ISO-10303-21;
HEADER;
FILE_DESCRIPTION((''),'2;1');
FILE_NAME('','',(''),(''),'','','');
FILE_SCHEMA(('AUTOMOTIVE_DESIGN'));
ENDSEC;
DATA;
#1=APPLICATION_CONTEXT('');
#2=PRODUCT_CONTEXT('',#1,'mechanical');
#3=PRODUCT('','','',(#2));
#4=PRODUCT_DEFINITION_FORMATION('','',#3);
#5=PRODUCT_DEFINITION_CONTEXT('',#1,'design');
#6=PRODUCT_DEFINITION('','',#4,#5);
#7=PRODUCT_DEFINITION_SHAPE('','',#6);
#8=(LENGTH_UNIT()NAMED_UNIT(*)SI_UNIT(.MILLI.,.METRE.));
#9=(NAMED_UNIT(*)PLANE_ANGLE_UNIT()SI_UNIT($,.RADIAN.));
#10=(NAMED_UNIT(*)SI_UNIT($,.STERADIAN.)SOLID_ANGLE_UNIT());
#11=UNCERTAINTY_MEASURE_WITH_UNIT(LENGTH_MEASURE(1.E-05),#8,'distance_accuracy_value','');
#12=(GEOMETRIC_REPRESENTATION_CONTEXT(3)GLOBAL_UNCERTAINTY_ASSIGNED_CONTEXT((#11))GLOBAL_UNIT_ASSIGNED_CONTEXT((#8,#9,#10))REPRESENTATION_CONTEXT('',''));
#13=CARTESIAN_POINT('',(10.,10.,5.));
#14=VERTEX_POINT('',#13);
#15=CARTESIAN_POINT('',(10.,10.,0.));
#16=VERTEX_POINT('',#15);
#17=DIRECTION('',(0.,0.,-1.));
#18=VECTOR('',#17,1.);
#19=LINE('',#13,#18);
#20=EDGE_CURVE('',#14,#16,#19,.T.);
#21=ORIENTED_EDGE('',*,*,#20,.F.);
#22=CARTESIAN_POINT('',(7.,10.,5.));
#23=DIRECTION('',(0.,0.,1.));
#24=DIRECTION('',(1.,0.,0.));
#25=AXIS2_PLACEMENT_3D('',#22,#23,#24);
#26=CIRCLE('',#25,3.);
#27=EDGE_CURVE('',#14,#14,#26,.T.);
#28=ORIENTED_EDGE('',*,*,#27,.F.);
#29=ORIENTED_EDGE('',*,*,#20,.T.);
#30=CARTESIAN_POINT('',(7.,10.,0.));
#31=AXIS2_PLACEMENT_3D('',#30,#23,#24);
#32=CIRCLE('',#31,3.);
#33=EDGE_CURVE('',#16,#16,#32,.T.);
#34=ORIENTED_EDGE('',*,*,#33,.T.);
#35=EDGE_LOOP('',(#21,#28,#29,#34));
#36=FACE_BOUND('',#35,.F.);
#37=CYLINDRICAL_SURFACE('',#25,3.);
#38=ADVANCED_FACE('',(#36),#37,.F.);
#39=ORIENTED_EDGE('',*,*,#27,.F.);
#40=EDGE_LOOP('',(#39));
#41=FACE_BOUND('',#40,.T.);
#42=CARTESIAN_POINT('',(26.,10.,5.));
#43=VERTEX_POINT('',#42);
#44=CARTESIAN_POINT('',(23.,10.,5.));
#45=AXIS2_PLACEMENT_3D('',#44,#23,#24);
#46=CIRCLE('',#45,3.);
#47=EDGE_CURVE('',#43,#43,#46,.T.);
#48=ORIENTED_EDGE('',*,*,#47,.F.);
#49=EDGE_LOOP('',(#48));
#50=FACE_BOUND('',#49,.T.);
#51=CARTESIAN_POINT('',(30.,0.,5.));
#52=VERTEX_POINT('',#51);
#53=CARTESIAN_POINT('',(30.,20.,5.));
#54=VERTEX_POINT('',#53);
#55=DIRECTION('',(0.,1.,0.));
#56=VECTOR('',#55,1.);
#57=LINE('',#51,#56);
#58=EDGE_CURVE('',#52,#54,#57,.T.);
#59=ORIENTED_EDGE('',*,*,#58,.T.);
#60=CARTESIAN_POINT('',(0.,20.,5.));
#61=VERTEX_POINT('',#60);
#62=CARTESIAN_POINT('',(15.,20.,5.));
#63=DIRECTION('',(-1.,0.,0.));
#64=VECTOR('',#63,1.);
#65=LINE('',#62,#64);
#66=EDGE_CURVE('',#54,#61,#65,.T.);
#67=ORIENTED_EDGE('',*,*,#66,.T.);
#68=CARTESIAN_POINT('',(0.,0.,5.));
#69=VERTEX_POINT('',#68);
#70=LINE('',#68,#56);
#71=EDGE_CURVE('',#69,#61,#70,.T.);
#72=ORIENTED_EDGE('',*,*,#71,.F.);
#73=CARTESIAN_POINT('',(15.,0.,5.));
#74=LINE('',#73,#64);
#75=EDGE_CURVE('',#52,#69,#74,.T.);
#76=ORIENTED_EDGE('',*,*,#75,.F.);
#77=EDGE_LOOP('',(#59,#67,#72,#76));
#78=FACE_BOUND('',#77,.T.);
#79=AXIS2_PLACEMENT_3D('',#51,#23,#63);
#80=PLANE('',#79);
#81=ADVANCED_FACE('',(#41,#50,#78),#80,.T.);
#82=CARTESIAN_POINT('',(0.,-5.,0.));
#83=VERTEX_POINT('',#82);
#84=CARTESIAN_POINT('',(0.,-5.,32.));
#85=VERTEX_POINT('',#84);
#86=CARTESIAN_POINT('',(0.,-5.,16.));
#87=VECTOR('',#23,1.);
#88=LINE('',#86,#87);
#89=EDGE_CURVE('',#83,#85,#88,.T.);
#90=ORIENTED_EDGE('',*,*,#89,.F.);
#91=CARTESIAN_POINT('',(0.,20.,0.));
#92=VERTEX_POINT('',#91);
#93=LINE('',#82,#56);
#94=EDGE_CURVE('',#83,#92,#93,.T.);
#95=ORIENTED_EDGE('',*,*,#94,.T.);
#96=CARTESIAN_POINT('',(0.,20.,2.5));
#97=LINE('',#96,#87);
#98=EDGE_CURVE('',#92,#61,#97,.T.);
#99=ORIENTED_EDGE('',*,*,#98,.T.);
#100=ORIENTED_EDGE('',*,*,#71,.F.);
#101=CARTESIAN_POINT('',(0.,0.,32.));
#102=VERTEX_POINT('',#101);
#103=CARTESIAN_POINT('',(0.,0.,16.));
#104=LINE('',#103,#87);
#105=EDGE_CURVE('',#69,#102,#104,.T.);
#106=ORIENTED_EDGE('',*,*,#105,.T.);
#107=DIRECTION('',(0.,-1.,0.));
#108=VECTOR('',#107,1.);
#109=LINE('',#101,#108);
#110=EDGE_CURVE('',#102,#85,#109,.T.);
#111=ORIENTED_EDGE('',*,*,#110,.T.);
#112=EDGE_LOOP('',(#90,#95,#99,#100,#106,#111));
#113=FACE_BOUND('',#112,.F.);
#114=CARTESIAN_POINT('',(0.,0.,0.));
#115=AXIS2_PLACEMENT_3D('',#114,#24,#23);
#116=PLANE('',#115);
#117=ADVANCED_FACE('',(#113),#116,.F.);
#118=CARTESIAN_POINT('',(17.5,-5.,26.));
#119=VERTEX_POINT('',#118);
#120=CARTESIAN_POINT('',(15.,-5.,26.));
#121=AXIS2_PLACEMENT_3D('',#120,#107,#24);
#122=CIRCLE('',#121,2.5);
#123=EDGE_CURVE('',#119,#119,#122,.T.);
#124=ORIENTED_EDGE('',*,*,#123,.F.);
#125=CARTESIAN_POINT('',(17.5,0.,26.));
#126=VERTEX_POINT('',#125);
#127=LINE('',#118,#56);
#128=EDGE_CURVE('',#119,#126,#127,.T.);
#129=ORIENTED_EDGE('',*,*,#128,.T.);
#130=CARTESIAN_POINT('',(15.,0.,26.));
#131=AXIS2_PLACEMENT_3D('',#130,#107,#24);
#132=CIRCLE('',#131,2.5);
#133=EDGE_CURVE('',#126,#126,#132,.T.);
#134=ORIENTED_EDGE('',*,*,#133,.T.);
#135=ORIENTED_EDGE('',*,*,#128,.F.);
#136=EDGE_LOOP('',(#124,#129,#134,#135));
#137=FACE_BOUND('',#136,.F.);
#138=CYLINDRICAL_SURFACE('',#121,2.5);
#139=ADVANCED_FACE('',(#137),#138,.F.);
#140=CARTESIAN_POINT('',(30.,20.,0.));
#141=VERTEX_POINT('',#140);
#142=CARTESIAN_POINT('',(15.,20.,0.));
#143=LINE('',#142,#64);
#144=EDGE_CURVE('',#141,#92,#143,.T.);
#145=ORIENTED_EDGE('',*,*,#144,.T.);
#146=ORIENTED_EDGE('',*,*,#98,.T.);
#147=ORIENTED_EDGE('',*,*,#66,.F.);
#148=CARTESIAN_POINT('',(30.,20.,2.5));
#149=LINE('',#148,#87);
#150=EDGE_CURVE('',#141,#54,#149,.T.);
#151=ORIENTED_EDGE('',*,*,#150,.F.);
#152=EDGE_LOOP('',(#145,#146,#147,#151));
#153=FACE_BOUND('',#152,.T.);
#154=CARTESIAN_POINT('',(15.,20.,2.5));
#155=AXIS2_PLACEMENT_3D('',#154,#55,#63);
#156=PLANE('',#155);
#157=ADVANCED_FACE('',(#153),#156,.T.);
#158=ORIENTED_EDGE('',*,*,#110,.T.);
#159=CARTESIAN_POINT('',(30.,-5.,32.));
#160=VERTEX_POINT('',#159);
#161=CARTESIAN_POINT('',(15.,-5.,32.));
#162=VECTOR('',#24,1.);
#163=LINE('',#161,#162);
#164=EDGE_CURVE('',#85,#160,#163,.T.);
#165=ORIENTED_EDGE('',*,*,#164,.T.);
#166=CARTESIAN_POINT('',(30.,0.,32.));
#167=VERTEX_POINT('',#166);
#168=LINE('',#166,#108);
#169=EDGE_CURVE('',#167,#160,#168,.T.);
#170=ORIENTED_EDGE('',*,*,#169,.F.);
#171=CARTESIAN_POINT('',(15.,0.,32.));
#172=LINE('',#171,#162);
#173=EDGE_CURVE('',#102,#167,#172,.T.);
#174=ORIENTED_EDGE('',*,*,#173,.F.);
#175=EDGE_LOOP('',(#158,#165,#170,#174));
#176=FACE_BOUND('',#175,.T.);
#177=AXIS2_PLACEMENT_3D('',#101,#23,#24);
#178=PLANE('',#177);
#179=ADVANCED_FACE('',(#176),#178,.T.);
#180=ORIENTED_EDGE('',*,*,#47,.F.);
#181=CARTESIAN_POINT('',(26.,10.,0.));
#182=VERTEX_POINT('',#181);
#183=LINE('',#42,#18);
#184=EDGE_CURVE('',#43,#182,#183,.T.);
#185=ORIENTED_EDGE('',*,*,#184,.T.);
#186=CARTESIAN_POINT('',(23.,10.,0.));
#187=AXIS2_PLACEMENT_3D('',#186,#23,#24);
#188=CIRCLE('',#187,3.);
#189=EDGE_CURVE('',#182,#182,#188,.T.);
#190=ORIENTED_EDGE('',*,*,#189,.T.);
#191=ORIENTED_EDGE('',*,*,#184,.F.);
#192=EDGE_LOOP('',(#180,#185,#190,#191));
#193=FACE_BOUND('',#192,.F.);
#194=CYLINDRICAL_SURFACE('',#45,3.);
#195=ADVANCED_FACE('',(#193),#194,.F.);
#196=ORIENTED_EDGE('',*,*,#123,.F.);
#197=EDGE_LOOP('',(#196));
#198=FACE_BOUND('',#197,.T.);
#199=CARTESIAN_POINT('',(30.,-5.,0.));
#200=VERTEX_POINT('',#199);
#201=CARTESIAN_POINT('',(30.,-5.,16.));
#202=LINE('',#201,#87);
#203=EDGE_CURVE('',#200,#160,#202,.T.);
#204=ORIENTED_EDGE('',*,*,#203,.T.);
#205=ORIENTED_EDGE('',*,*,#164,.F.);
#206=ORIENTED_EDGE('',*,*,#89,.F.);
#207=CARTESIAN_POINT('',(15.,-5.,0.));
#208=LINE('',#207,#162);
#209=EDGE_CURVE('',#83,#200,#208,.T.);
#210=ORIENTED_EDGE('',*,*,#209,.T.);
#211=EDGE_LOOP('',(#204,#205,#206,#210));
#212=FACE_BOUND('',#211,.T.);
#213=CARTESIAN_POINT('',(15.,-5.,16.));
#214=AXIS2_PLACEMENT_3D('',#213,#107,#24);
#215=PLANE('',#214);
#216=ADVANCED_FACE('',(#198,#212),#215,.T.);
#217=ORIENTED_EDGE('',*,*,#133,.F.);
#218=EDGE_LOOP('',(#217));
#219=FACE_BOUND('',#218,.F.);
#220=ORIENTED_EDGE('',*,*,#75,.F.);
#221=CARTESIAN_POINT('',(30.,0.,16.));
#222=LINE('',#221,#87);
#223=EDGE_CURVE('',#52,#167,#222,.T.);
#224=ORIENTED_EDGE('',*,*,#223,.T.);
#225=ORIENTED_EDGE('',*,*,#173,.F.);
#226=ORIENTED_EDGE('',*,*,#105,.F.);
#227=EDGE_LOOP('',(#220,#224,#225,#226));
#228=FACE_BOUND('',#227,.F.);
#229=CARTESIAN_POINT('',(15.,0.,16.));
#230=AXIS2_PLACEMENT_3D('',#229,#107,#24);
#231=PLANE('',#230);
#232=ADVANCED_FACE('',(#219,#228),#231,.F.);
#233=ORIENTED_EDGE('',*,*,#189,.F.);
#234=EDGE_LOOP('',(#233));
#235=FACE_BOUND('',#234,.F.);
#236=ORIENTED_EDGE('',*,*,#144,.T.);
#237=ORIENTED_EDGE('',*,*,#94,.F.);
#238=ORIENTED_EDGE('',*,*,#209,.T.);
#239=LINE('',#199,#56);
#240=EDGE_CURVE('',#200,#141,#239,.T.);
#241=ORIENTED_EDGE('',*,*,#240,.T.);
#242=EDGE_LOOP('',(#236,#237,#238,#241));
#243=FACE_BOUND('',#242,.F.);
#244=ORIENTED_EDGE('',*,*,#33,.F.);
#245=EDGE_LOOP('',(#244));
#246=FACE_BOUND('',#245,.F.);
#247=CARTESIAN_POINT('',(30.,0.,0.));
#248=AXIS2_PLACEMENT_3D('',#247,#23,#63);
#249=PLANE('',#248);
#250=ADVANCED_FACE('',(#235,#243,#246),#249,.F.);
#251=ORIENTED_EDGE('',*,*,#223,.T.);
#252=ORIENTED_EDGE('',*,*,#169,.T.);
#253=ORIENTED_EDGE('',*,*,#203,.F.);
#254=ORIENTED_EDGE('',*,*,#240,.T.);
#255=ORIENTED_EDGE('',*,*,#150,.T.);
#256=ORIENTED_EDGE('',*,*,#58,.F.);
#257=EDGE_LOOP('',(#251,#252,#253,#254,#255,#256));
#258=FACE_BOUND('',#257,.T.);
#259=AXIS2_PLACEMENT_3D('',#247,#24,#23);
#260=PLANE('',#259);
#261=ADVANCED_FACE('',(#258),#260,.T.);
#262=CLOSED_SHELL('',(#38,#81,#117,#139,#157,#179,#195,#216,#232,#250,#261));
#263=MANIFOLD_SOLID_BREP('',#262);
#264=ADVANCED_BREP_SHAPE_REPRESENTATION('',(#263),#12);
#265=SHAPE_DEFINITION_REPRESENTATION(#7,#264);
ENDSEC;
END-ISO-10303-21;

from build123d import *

# Parameters (mm, degrees)
F0_W     = 30
F0_H     = 32
F1_DEPTH = 5
F2_W     = 30
F2_H     = 5
F3_DEPTH = 20
F4_R     = 3
F5_DEPTH = 25
F6_R     = 2.5
F7_DEPTH = 25


with BuildPart() as f1:
    # F0 (on Front) → F1 (new body)
    with BuildSketch(Plane.XZ):
        with Locations((15, 16)):
            Rectangle(F0_W, F0_H)
    extrude(amount=F1_DEPTH)

    # F2 (on face) → F3 (join)
    with BuildSketch(Plane(origin=(0, 0, 0), x_dir=(-1, 0, 0), z_dir=(0, 1, 0))):
        with Locations((-15, 2.5)):
            Rectangle(F2_W, F2_H)
    extrude(amount=F3_DEPTH)

    # F4 (on face) → F5 (cut)
    with BuildSketch(Plane.XY.offset(5)):
        with Locations((23, 10)):
            Circle(F4_R)
        with Locations((7, 10)):
            Circle(F4_R)
    extrude(amount=-F5_DEPTH, mode=Mode.SUBTRACT)

    # F6 (on face) → F7 (cut)
    with BuildSketch(Plane.XZ.offset(5)):
        with Locations((15, 26)):
            Circle(F6_R)
    extrude(amount=-F7_DEPTH, mode=Mode.SUBTRACT)


solid = f1.part
